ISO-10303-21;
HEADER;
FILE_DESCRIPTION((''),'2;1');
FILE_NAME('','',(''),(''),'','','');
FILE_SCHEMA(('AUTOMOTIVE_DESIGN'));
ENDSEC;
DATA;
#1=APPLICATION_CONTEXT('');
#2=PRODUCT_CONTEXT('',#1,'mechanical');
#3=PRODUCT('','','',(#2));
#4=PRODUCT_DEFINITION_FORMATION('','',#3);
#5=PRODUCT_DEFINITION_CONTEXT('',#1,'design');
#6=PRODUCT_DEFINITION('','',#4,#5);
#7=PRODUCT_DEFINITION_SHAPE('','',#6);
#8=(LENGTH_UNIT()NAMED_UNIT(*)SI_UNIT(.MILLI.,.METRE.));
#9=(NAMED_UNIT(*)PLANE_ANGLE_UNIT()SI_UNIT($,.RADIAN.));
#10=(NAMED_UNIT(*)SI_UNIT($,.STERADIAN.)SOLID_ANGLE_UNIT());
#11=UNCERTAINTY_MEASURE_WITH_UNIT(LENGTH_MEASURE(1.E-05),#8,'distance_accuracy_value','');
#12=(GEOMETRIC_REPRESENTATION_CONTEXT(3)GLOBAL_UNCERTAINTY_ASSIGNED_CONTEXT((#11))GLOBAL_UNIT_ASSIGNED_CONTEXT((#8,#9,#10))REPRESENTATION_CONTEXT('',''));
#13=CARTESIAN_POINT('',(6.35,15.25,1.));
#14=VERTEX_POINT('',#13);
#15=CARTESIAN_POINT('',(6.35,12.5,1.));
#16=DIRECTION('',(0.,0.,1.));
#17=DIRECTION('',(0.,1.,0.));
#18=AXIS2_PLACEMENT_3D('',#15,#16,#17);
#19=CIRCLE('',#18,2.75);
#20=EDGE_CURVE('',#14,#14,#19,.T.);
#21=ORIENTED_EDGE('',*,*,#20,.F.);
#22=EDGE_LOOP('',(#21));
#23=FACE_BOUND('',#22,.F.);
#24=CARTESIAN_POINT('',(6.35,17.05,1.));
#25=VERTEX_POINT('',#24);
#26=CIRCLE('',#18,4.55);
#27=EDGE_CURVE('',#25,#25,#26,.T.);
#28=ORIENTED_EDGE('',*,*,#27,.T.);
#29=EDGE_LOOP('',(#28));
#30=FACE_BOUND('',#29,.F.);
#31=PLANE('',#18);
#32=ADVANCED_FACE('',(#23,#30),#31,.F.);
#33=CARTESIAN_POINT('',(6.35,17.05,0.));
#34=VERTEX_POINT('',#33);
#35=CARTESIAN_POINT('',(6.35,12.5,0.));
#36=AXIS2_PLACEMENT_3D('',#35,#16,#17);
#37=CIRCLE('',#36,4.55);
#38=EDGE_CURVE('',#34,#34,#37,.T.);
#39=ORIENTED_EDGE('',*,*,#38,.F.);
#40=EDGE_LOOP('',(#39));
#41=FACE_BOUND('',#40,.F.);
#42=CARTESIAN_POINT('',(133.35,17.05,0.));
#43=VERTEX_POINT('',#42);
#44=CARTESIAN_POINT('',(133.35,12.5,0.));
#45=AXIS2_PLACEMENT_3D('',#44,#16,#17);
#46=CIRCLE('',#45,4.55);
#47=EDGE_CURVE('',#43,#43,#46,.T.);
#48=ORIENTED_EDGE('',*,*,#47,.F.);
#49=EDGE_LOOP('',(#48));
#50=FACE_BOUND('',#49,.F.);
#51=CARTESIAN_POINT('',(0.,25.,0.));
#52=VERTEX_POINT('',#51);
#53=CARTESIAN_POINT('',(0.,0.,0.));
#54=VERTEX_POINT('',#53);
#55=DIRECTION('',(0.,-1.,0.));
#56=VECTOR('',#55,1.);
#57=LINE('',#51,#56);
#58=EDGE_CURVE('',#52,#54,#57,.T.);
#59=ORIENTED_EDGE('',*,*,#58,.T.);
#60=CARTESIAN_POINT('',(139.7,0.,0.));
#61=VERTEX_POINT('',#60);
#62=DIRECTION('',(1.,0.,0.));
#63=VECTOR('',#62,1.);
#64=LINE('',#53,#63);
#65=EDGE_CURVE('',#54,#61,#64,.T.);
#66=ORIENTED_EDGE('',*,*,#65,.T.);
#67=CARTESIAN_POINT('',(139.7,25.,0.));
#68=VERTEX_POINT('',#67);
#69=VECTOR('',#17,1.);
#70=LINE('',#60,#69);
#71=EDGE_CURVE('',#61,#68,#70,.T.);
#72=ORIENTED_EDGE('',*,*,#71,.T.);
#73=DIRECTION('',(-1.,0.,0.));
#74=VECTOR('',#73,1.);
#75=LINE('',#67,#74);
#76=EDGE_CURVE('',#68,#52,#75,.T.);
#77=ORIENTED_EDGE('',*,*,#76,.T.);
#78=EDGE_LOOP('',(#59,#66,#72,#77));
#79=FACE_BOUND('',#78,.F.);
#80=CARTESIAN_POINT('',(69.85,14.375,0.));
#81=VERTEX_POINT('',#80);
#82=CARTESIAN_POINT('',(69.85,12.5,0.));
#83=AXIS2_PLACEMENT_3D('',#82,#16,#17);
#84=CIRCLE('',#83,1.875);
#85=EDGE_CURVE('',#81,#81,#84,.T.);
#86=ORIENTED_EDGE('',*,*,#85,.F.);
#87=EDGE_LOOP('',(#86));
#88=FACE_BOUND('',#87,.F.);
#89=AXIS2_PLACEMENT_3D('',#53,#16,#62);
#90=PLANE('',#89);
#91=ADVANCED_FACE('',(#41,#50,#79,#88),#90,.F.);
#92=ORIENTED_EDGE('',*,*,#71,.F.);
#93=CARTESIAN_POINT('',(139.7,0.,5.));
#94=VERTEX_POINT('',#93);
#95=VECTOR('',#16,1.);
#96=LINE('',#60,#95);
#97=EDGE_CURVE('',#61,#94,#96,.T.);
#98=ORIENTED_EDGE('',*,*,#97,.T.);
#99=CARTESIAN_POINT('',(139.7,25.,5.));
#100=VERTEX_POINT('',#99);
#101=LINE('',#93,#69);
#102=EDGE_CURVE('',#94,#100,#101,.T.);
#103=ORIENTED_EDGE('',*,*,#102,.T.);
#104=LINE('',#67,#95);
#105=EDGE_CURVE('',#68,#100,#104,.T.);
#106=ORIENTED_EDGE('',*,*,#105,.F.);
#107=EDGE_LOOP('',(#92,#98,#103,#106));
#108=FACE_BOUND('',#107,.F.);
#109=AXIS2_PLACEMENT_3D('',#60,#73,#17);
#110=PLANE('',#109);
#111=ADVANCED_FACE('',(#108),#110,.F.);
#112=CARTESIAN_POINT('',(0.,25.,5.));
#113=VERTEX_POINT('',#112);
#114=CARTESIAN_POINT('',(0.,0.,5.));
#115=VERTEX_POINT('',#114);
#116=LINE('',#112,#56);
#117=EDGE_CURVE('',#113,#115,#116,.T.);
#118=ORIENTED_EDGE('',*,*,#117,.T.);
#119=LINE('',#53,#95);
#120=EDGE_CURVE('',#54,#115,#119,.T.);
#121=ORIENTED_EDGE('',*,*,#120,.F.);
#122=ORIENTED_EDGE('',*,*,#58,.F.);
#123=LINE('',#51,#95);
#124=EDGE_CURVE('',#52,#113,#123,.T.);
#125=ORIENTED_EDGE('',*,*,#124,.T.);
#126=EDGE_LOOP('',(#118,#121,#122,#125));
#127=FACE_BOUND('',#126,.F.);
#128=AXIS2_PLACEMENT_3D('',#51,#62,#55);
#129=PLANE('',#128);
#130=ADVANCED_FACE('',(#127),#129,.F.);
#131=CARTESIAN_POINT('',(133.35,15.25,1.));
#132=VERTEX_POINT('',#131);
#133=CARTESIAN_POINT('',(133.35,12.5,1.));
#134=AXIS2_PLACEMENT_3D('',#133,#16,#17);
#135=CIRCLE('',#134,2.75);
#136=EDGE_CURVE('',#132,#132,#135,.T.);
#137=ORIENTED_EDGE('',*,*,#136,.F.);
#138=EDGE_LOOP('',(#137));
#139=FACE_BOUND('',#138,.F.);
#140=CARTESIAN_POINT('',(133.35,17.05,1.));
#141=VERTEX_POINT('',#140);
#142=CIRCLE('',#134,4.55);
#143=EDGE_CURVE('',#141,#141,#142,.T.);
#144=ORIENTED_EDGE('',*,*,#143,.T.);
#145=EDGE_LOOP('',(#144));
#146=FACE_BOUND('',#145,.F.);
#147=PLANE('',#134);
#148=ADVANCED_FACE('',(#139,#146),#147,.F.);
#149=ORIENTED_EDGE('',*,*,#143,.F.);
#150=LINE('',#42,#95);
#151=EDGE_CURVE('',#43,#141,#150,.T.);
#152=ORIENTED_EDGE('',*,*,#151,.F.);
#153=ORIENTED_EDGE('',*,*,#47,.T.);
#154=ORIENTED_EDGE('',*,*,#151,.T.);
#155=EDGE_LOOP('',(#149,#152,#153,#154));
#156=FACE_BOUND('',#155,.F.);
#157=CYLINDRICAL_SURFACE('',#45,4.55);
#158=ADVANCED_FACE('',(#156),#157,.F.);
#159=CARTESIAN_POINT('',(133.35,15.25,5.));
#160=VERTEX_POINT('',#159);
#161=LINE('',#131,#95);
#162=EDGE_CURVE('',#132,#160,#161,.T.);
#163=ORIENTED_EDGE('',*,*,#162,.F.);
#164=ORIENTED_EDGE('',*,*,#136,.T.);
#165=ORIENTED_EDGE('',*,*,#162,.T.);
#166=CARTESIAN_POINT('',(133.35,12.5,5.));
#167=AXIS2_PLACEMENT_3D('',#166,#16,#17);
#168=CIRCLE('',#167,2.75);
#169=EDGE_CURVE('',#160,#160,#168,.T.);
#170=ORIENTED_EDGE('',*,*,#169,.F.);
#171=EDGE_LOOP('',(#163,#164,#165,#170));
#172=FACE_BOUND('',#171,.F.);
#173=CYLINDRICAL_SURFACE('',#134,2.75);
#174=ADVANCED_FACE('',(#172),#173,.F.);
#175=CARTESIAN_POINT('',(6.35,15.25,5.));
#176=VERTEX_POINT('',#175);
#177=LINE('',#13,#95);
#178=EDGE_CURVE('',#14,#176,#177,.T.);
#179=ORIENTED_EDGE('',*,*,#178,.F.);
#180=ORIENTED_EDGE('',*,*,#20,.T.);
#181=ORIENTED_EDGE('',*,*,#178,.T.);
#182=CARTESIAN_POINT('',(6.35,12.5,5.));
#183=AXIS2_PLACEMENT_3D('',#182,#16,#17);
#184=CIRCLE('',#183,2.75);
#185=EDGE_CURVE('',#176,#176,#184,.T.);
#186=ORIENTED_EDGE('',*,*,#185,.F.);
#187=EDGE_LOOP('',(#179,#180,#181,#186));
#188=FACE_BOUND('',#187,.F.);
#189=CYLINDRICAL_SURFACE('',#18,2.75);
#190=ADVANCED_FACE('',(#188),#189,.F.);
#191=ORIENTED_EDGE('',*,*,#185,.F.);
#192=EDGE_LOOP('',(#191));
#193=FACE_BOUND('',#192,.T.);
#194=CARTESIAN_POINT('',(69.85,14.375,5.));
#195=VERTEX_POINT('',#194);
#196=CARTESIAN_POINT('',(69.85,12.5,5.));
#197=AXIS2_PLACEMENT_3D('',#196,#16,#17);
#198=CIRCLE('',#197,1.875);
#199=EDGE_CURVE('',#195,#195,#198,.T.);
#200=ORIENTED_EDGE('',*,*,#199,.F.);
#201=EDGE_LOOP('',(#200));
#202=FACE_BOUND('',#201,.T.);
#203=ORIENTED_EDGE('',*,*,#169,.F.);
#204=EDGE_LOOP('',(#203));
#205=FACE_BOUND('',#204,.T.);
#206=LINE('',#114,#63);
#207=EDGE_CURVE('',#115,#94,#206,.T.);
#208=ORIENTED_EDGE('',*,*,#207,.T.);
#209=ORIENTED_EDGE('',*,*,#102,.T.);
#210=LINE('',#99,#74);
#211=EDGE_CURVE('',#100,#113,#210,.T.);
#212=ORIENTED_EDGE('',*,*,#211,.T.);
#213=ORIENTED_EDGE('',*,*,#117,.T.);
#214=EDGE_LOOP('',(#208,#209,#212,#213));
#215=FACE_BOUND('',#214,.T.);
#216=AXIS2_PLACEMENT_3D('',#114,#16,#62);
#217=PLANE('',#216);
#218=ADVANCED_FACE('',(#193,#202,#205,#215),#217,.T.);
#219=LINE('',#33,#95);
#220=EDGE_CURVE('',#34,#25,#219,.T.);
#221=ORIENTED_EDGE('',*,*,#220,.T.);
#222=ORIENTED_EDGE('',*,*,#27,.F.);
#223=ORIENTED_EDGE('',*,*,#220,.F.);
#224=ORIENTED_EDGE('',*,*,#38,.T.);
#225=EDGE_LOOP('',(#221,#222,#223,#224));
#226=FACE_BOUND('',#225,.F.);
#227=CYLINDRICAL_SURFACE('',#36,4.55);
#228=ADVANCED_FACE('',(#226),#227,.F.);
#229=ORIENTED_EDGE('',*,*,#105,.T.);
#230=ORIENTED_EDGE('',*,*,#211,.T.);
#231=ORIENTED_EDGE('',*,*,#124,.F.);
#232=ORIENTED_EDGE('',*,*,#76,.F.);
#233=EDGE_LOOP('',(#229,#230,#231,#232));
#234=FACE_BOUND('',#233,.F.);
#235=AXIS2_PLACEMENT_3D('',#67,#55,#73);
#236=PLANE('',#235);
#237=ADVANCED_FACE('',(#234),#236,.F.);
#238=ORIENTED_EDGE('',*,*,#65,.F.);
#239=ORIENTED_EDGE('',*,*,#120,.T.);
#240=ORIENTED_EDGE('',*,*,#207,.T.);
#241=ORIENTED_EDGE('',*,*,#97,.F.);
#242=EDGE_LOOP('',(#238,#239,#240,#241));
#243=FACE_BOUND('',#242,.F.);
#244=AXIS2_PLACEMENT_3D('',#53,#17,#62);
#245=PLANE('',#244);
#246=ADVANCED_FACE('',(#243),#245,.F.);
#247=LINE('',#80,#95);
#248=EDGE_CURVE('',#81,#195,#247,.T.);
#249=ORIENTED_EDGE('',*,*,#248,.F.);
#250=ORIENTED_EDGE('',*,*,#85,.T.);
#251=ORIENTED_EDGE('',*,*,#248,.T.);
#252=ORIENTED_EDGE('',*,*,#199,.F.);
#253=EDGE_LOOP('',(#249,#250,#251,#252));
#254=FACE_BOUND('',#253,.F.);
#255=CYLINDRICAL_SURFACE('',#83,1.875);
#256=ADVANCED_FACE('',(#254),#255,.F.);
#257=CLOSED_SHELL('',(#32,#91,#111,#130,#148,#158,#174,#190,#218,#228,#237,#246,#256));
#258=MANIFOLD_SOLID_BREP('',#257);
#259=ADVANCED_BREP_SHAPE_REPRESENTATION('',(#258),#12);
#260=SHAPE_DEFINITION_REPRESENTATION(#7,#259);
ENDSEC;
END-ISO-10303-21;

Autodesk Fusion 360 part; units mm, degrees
sketch "Sketch1" plane through (0, 0, 0) normal (0, 0, 1) x (1, 0, 0)
  line L0 (0, 0) -> (139.7, 0)
  line L1 (139.7, 0) -> (139.7, 25)
  line L2 (139.7, 25) -> (0, 25)
  line L3 (0, 25) -> (0, 0)
  dimension "d1" = 139.7
  dimension "d2" = 25
extrude "Extrude1" add sketch "Sketch1" along normal blind 5
sketch "Sketch2" plane through (0, 0, 0) normal (0, 0, 1) x (1, 0, 0)
  point P0 (6.35, 12.5)
  point P1 (133.35, 12.5)
hole "Hole1" at (6.35, 12.5, 0) at (133.35, 12.5, 0) direction (0, 0, 1) diameter 5.5 depth 13 tip angle 118 counterbore diameter 9.1 counterbore depth 1
sketch "Sketch5" plane through (0, 0, 0) normal (0, 0, -1) x (1, 0, 0)
  circle A0 centre (6.35, -12.5) radius 4.55
  circle A1 centre (133.35, -12.5) radius 4.55
  line L0 (0, 0) -> (0, -25)
  line L1 (0, -25) -> (139.7, -25)
  line L2 (139.7, -25) -> (139.7, 0)
  line L3 (139.7, 0) -> (0, 0)
  point P0 (69.85, -12.5)
hole "Hole4" at (69.85, 12.5, 0) direction (0, 0, 1) diameter 3.75 depth 15 tip angle 118
